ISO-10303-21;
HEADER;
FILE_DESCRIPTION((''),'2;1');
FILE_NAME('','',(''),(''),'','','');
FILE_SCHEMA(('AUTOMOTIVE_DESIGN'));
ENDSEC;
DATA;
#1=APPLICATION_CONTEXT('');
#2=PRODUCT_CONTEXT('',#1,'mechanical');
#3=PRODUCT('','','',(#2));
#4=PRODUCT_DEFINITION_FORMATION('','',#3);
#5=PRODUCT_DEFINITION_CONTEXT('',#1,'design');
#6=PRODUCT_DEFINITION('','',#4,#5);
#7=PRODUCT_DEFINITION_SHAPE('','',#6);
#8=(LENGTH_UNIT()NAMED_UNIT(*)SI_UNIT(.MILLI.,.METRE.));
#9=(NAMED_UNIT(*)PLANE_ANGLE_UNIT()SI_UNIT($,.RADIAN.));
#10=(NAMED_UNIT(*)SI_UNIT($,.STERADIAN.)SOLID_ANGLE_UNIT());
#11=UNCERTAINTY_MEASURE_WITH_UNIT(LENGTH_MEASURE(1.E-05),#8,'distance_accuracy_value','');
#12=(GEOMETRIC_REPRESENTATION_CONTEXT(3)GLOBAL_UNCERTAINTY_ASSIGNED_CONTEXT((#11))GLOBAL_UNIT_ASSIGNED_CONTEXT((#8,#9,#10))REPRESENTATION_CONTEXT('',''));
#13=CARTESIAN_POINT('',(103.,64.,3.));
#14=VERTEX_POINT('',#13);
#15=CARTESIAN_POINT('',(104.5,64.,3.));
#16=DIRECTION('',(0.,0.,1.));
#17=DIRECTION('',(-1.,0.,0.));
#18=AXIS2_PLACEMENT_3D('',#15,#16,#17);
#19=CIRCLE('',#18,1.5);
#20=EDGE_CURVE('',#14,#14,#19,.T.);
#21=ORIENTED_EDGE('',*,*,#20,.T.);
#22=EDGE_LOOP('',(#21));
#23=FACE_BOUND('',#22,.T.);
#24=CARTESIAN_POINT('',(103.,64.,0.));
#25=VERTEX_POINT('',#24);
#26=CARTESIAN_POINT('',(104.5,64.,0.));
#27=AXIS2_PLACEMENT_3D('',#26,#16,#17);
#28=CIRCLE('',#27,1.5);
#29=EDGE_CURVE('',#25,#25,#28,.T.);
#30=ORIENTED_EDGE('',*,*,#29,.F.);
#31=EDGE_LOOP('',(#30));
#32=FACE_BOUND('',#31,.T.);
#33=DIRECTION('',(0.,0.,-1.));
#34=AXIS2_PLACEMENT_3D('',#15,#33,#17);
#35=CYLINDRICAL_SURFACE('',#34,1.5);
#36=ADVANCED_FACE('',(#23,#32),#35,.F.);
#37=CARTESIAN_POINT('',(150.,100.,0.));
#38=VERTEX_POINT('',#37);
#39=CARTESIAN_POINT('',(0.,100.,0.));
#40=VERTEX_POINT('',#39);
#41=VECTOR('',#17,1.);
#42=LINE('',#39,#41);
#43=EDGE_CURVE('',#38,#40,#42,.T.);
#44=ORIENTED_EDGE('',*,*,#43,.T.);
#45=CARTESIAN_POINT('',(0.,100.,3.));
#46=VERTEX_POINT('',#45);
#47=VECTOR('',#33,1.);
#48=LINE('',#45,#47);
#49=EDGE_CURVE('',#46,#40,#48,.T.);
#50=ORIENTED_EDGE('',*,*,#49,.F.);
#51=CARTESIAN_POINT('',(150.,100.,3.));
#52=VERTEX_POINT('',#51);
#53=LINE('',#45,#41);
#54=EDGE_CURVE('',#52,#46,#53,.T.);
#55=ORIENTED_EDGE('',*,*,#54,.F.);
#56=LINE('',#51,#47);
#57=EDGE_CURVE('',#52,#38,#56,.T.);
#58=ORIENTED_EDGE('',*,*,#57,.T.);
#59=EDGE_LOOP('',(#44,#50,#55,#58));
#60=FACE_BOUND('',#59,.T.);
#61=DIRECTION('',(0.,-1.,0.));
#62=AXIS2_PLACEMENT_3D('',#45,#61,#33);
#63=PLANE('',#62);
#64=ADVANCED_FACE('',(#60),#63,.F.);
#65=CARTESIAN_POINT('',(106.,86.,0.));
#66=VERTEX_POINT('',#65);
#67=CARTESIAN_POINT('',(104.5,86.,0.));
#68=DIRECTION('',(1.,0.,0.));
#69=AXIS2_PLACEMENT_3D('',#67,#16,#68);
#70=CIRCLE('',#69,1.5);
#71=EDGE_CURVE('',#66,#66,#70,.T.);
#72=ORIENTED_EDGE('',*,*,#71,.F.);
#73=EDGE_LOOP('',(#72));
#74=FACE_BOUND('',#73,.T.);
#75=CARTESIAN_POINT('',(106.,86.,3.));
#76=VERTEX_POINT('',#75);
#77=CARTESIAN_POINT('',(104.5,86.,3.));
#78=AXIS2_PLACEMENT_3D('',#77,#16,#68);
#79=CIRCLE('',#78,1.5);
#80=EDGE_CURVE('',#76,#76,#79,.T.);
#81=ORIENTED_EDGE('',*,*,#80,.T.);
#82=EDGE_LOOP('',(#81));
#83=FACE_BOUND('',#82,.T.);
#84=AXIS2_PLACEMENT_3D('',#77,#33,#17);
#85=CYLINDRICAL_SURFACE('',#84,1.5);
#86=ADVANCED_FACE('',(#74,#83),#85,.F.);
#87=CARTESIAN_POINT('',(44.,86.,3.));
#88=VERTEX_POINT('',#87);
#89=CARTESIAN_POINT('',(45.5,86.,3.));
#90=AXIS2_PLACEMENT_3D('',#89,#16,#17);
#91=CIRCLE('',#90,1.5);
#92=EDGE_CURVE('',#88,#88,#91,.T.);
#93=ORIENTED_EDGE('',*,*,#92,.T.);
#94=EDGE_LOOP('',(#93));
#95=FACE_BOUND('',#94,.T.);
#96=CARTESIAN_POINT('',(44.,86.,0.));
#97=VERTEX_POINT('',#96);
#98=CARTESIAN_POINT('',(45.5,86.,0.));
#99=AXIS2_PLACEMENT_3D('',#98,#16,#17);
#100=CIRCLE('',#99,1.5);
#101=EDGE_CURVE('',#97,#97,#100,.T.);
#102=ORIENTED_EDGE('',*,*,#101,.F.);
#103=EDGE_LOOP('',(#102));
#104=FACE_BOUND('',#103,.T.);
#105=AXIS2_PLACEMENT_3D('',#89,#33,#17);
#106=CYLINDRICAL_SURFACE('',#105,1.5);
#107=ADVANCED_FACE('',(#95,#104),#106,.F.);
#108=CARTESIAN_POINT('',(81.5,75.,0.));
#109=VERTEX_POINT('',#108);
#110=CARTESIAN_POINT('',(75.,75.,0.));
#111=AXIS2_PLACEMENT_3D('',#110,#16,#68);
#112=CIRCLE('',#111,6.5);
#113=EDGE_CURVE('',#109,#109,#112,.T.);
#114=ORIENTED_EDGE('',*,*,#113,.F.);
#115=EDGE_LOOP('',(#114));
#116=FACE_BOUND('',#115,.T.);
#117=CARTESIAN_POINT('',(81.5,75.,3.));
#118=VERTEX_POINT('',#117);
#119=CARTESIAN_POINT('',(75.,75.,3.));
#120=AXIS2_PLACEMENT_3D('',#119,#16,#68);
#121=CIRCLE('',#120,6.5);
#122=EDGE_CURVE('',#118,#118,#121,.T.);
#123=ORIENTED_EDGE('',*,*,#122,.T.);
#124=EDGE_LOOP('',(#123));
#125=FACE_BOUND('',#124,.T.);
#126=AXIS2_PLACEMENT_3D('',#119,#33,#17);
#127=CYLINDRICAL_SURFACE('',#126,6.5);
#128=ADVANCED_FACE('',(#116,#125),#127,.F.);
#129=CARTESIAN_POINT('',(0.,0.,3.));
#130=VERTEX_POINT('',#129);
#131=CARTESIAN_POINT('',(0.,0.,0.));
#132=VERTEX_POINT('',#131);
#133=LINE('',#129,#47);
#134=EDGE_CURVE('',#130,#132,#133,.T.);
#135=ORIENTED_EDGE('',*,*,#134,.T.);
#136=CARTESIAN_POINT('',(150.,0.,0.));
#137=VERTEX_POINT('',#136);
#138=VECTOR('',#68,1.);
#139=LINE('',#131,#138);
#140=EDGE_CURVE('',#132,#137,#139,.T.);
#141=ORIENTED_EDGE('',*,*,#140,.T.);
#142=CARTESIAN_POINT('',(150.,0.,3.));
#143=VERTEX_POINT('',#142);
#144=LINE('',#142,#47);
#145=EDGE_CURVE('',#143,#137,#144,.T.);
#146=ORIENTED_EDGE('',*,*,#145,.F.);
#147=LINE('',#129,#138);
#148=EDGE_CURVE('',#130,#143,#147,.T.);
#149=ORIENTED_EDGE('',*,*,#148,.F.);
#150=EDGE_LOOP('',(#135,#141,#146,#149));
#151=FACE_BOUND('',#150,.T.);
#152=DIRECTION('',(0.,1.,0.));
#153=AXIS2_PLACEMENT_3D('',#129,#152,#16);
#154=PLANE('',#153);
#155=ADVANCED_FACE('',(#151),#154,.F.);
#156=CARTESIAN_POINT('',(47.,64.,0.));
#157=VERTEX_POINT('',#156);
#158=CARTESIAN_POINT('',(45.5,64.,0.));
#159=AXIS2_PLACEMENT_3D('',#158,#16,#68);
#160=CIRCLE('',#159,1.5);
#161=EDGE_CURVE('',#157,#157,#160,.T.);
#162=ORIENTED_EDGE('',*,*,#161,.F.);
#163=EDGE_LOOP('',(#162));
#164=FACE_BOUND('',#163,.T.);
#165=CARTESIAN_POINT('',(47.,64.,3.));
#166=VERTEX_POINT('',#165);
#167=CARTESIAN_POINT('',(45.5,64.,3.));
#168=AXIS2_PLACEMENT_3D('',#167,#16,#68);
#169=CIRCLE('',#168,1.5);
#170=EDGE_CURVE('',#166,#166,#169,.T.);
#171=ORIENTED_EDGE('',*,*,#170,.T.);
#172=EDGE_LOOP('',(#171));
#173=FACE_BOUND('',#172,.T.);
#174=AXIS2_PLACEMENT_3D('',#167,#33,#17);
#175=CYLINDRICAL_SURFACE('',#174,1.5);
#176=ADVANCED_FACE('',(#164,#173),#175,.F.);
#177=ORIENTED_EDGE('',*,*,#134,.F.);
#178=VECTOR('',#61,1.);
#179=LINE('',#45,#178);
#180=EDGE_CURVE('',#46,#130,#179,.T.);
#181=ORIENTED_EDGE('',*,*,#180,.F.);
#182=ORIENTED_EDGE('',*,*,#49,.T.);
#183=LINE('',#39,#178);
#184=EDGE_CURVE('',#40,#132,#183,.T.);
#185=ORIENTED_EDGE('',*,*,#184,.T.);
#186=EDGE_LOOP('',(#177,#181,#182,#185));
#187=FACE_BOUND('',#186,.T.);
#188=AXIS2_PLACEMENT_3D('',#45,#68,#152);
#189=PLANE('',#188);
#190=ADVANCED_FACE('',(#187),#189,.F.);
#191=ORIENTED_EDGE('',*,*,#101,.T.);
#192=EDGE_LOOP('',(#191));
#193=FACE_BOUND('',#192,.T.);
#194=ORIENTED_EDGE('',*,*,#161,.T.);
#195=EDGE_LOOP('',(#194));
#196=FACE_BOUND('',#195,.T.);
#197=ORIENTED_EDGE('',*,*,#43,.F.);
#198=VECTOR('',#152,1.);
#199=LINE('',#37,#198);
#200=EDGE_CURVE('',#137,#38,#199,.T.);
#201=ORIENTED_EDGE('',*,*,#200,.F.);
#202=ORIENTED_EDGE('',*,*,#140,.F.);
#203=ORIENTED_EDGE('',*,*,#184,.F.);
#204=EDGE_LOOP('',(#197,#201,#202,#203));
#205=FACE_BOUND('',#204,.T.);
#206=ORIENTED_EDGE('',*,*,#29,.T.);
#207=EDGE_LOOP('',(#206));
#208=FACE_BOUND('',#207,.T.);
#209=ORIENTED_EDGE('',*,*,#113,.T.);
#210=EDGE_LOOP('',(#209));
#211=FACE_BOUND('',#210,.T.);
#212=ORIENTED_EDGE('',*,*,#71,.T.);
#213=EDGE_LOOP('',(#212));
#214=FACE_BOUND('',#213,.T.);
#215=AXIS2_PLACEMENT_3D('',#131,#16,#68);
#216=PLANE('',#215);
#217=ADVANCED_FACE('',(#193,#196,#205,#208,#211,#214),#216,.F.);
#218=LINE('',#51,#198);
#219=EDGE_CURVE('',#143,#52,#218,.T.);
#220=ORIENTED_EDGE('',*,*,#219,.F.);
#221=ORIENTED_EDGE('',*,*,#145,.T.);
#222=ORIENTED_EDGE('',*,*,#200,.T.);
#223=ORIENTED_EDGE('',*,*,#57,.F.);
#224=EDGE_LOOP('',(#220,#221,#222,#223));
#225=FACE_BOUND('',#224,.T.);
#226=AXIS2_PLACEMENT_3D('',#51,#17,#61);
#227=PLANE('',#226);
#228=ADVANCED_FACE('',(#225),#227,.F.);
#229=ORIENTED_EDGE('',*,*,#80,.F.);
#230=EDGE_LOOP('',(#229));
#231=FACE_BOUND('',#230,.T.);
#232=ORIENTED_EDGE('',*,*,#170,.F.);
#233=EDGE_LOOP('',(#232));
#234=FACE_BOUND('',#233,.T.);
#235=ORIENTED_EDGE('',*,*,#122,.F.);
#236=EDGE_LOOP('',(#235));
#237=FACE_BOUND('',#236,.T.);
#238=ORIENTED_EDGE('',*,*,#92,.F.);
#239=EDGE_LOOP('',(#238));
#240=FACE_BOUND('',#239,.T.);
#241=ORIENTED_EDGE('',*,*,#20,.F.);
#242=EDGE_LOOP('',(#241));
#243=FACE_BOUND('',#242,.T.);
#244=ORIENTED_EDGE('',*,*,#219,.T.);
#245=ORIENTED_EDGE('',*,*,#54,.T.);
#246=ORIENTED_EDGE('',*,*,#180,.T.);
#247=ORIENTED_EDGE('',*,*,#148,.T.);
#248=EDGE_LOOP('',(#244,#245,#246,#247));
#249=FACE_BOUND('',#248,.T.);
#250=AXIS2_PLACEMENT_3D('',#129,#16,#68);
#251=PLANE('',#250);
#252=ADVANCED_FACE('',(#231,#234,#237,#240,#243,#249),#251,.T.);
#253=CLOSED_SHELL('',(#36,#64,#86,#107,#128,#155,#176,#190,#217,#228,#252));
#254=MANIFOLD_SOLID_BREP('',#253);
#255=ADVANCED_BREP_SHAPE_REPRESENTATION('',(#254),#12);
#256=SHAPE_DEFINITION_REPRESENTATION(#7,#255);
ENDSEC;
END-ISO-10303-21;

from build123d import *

# Parameters (mm, degrees)
ESBO_O1_W                = 150
ESBO_O1_H                = 100
ESBO_O1_R                = 6.5
ESBO_O1_R_2              = 1.5
RESSALTO_EXTRUS_O1_DEPTH = 3


with BuildPart() as part:
    # Esboço1 → Ressalto-extrusão1 (new body)
    with BuildSketch(Plane.XY):
        with Locations((75, 50)):
            Rectangle(ESBO_O1_W, ESBO_O1_H)
        with Locations((75, 75)):
            Circle(ESBO_O1_R, mode=Mode.SUBTRACT)
        with Locations((104.5, 86)):
            Circle(ESBO_O1_R_2, mode=Mode.SUBTRACT)
        with Locations(Location((104.5, 64, 0), (0, 0, 180))):
            Circle(ESBO_O1_R_2, mode=Mode.SUBTRACT)
        with Locations((45.5, 64)):
            Circle(ESBO_O1_R_2, mode=Mode.SUBTRACT)
        with Locations(Location((45.5, 86, 0), (0, 0, 180))):
            Circle(ESBO_O1_R_2, mode=Mode.SUBTRACT)
    extrude(amount=RESSALTO_EXTRUS_O1_DEPTH)


solid = part.part
